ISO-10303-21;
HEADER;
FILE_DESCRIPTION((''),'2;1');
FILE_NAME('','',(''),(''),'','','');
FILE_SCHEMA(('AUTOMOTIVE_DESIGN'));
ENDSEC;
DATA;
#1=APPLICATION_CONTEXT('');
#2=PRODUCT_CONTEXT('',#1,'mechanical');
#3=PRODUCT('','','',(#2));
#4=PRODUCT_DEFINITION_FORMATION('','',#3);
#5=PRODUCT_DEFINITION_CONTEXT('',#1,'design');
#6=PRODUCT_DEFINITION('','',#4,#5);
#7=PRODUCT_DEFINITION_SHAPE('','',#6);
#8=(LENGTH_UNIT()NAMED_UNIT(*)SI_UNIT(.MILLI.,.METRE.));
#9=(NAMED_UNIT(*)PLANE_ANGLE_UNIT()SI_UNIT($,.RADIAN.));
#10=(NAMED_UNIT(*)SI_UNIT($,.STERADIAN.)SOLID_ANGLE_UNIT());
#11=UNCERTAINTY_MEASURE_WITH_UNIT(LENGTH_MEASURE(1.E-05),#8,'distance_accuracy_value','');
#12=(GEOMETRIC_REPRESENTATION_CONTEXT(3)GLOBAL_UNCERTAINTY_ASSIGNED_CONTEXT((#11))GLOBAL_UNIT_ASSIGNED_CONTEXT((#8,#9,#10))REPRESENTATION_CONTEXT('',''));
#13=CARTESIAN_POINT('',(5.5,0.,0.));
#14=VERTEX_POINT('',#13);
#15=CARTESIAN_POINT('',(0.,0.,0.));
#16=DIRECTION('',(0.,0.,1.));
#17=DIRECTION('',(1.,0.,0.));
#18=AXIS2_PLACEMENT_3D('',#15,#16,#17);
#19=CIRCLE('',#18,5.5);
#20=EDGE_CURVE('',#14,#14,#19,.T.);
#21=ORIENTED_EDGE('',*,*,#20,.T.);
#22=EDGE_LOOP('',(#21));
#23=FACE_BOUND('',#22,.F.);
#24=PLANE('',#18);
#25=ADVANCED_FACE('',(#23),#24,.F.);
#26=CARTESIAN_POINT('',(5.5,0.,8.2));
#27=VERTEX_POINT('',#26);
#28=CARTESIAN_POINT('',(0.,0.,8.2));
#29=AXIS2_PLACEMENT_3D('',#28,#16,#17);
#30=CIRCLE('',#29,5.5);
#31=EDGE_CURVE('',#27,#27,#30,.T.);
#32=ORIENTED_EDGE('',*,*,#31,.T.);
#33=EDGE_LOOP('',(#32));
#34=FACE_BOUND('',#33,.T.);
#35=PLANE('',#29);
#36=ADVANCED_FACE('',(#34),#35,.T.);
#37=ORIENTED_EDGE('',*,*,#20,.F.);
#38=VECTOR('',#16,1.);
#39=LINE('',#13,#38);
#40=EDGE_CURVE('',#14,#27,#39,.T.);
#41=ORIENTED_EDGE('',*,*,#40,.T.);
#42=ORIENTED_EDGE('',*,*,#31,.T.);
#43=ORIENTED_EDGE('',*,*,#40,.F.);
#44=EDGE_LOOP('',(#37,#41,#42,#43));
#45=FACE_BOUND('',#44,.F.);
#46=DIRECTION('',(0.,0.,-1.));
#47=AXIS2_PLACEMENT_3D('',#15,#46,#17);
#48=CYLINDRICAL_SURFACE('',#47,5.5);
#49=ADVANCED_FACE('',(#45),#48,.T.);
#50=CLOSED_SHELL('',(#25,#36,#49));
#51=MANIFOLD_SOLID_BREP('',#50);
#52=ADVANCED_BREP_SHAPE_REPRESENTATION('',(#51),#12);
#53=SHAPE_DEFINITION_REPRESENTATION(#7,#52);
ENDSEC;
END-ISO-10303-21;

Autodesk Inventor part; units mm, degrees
ref_plane "YZ Plane" through (0, 0, 0) normal (1, 0, 0) x (0, 1, 0)
ref_plane "XZ Plane" through (0, 0, 0) normal (0, 1, 0) x (-1, 0, 0)
ref_plane "XY Plane" through (0, 0, 0) normal (0, 0, 1) x (1, 0, 0)
sketch "Sketch1" plane through (0, 0, 0) normal (0, 0, 1) x (1, 0, 0)
  circle A0 centre (0, 0) radius 5.5
  dimension "d0" = 11
extrude "Extrusion1" add sketch "Sketch1" along normal blind 8.2
properties part number "encoder_magnet"
